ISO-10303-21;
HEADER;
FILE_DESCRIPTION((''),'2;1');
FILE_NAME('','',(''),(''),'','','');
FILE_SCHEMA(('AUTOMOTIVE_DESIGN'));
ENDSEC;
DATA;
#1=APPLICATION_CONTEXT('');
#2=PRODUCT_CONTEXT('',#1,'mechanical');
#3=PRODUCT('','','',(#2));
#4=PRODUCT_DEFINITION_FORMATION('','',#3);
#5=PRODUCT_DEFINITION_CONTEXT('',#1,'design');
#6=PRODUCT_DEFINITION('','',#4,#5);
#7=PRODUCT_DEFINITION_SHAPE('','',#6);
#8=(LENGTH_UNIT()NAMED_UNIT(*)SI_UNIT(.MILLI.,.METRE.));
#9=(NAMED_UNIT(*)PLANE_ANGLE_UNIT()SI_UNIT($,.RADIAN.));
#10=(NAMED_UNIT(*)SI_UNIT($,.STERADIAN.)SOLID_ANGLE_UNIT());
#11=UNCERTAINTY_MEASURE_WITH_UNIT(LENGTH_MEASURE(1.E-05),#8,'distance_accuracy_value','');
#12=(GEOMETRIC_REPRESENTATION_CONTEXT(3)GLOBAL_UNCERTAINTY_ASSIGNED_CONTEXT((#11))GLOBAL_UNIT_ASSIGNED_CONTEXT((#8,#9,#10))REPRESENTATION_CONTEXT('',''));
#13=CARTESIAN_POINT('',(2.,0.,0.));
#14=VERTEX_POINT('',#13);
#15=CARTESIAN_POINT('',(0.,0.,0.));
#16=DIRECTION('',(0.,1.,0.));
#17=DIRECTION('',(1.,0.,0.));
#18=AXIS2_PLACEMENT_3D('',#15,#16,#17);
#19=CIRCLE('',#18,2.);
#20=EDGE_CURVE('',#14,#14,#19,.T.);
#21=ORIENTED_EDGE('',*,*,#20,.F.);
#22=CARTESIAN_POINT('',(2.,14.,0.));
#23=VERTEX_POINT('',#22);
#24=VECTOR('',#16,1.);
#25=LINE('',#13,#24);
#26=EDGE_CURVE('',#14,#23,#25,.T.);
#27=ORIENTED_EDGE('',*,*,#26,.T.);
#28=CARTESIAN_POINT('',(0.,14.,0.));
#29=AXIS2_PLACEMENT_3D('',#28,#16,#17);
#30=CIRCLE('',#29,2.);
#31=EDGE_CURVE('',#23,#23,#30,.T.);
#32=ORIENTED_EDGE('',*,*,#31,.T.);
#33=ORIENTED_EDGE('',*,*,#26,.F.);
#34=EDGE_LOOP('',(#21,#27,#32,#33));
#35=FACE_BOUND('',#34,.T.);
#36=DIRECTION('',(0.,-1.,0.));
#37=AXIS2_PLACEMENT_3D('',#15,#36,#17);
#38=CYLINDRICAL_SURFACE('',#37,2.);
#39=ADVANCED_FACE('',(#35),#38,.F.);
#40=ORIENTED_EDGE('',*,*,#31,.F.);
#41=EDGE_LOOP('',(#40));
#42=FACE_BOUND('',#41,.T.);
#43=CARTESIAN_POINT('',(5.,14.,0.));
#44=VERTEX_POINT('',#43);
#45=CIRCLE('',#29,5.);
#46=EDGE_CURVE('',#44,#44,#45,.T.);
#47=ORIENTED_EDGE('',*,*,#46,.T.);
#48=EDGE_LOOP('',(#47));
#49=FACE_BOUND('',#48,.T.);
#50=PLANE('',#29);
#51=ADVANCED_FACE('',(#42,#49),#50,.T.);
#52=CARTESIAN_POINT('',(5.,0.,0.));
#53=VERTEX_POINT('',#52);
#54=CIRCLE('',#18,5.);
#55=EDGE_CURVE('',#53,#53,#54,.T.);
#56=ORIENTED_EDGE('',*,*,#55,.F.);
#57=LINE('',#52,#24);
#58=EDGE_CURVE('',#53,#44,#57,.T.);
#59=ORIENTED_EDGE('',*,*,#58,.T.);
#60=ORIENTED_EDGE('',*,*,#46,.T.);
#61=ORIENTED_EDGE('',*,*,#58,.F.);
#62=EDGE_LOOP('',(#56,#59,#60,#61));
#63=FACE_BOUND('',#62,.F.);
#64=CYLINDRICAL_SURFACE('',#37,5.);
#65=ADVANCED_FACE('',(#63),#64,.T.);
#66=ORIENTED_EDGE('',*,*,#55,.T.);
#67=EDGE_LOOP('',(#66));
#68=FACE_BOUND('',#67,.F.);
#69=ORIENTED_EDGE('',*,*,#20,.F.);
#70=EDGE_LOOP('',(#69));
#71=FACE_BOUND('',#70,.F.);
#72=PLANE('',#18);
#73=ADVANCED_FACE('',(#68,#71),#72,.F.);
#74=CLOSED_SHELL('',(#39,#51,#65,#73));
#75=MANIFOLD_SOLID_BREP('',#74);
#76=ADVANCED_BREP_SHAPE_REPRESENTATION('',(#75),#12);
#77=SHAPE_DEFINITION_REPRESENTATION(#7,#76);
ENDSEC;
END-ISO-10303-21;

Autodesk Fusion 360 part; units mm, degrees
sketch "Sketch1" plane through (0, 0, 0) normal (0, 1, 0) x (1, 0, 0)
  circle A0 centre (0, 0) radius 5
  circle A1 centre (0, 0) radius 2
  dimension "d1" = 10
  dimension "d2" = 4
extrude "Extrude1" add sketch "Sketch1" along normal blind 14
